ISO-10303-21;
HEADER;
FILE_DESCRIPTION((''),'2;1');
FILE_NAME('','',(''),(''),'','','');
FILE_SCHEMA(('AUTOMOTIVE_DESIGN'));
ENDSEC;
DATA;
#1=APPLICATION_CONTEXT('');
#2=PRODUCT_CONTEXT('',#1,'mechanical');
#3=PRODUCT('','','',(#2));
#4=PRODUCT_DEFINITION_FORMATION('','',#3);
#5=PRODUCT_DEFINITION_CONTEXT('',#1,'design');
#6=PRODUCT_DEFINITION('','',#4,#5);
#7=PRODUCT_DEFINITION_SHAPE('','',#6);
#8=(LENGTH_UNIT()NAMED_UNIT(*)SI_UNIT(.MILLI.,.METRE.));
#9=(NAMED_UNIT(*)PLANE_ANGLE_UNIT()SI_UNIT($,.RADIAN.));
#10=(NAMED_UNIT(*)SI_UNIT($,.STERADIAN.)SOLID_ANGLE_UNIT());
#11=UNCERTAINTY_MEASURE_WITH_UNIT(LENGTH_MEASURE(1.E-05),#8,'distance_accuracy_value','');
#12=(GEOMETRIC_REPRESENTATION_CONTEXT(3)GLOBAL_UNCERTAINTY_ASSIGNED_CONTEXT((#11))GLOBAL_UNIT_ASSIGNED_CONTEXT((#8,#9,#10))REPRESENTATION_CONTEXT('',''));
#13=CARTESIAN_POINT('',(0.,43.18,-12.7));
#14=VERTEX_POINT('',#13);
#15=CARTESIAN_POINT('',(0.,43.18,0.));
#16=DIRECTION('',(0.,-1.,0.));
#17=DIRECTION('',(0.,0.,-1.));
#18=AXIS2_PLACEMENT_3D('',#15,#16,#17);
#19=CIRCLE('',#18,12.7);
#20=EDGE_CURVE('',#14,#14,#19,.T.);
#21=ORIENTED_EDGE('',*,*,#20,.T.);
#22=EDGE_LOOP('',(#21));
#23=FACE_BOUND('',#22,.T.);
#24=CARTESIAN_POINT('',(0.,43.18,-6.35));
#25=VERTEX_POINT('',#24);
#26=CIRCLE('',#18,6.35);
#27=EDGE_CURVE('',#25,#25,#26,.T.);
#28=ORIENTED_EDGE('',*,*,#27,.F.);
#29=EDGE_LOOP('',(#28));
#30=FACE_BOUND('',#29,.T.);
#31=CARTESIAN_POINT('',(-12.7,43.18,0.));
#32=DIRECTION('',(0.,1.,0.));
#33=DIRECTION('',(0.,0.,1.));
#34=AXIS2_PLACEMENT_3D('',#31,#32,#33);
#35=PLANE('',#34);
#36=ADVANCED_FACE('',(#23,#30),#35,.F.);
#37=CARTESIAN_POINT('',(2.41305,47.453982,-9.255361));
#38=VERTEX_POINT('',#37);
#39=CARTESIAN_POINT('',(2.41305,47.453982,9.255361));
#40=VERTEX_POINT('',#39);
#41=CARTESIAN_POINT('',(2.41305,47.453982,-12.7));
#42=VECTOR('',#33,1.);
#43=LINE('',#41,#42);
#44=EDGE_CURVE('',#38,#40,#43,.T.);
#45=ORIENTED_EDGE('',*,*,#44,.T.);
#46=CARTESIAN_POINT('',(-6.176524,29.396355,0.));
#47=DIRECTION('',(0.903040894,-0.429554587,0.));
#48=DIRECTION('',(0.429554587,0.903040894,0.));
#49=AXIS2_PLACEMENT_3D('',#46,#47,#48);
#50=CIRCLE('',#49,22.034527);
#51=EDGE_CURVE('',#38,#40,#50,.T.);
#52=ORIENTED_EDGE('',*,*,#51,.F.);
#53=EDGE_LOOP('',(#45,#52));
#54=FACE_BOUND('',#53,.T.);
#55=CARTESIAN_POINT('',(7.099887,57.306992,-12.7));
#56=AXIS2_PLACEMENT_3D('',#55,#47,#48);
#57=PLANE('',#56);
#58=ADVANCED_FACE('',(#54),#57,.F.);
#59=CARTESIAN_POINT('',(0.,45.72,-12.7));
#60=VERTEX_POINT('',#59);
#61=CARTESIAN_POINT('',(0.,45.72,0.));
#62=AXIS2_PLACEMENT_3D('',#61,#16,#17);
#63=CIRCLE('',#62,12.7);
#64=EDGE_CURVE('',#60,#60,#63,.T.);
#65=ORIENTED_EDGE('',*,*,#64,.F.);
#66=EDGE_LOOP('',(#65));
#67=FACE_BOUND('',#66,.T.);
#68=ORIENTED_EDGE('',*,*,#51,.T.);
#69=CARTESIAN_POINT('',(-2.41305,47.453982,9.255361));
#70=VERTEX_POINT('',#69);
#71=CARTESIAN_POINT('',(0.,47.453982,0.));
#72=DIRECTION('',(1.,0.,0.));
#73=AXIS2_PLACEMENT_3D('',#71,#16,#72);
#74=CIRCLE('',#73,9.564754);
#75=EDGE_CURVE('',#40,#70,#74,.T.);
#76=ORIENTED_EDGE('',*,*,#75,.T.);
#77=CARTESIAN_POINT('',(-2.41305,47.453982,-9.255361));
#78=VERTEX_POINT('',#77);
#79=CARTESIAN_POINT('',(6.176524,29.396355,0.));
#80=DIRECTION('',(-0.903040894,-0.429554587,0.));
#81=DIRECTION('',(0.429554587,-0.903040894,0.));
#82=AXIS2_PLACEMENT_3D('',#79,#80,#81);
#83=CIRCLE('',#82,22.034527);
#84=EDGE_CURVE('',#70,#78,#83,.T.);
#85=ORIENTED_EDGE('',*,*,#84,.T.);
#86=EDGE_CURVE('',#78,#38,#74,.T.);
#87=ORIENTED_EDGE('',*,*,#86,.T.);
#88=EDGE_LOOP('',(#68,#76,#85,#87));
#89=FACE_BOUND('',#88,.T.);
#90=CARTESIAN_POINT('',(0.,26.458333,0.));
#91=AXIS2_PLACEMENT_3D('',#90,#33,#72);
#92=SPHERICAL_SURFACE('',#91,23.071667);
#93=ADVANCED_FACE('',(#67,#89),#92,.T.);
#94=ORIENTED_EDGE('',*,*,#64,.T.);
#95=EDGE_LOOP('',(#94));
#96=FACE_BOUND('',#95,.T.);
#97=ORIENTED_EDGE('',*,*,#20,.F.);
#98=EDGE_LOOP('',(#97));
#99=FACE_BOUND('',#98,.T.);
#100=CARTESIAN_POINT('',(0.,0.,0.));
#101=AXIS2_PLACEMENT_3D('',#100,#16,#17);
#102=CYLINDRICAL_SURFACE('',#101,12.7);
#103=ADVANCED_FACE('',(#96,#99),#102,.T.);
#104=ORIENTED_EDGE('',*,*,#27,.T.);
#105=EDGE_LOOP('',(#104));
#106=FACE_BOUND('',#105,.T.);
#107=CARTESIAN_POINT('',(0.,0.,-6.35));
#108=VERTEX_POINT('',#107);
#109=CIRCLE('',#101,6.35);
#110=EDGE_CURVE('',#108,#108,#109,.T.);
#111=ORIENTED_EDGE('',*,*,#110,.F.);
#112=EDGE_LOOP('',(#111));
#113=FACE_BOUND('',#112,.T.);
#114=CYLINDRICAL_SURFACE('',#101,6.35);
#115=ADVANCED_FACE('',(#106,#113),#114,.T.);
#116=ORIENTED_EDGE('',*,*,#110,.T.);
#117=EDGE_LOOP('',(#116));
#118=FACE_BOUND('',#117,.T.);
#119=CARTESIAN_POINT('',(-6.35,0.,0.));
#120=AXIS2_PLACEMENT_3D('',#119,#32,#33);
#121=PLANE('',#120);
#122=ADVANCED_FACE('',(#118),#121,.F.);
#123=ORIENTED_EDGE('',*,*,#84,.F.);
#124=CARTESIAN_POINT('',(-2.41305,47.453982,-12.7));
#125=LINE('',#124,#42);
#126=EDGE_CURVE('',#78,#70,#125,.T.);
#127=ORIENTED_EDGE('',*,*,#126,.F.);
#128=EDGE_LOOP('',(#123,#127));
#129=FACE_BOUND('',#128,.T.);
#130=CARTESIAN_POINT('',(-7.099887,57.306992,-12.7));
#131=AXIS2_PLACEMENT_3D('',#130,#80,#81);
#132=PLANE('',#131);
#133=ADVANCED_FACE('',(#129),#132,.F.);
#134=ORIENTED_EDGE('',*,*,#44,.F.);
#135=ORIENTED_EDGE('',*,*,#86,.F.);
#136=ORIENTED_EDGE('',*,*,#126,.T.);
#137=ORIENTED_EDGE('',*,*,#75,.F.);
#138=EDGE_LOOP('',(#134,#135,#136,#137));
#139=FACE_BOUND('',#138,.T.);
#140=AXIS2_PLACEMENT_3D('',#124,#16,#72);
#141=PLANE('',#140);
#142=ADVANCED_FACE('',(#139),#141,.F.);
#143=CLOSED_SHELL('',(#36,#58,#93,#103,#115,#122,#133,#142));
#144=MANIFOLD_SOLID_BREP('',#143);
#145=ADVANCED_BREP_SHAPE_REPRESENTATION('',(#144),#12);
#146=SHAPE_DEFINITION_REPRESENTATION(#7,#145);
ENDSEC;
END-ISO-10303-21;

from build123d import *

# Parameters (mm, degrees)
DOME1_FACE_RADIUS       = 12.7
DOME1_HEIGHT            = 3.81
CUT_EXTRUDE1_DEPTH      = 53.685870022
CUT_EXTRUDE1_DEPTH_BACK = 53.685870022


with BuildPart() as part:
    # Sketch1 → Revolve2 (revolve)
    with BuildSketch(Plane.XY, mode=Mode.PRIVATE) as revolve2_sk:
        Polygon((0, 0), (0, 45.72), (-12.7, 45.72), (-12.7, 43.18), (-6.35, 43.18), (-6.35, 0), (-0.453180755, 0), align=None)
    revolve(revolve2_sk.sketch.rotate(Axis((0, 0, 0), (0, 1, 0)), 270), axis=Axis((0, 0, 0), (0, 1, 0)))

    # Dome1: a dome of height H over a round flat face of radius A is a cap of a sphere of radius (A * A + H * H) / (2 * H)
    dome1_r = (DOME1_FACE_RADIUS * DOME1_FACE_RADIUS + DOME1_HEIGHT * DOME1_HEIGHT) / (2 * DOME1_HEIGHT)
    dome1_base = Plane((0, 45.72, 0), z_dir=(0, 1, 0))
    with Locations(dome1_base.offset(DOME1_HEIGHT - dome1_r)):
        dome1_ball = Sphere(dome1_r, mode=Mode.PRIVATE)
    add(split(dome1_ball, bisect_by=dome1_base, keep=Keep.TOP, mode=Mode.PRIVATE))

    # Sketch2 → Cut-Extrude1 (cut, two sides: drawn at the far end of the back side and taken through both)
    with BuildSketch(Plane.XY.offset(-CUT_EXTRUDE1_DEPTH_BACK)):
        Polygon((7.09988746, 57.306992364), (-7.09988746, 57.306992364), (-2.413050327, 47.453982482), (2.413050327, 47.453982482), align=None)
    extrude(amount=CUT_EXTRUDE1_DEPTH + CUT_EXTRUDE1_DEPTH_BACK, mode=Mode.SUBTRACT)


solid = part.part
